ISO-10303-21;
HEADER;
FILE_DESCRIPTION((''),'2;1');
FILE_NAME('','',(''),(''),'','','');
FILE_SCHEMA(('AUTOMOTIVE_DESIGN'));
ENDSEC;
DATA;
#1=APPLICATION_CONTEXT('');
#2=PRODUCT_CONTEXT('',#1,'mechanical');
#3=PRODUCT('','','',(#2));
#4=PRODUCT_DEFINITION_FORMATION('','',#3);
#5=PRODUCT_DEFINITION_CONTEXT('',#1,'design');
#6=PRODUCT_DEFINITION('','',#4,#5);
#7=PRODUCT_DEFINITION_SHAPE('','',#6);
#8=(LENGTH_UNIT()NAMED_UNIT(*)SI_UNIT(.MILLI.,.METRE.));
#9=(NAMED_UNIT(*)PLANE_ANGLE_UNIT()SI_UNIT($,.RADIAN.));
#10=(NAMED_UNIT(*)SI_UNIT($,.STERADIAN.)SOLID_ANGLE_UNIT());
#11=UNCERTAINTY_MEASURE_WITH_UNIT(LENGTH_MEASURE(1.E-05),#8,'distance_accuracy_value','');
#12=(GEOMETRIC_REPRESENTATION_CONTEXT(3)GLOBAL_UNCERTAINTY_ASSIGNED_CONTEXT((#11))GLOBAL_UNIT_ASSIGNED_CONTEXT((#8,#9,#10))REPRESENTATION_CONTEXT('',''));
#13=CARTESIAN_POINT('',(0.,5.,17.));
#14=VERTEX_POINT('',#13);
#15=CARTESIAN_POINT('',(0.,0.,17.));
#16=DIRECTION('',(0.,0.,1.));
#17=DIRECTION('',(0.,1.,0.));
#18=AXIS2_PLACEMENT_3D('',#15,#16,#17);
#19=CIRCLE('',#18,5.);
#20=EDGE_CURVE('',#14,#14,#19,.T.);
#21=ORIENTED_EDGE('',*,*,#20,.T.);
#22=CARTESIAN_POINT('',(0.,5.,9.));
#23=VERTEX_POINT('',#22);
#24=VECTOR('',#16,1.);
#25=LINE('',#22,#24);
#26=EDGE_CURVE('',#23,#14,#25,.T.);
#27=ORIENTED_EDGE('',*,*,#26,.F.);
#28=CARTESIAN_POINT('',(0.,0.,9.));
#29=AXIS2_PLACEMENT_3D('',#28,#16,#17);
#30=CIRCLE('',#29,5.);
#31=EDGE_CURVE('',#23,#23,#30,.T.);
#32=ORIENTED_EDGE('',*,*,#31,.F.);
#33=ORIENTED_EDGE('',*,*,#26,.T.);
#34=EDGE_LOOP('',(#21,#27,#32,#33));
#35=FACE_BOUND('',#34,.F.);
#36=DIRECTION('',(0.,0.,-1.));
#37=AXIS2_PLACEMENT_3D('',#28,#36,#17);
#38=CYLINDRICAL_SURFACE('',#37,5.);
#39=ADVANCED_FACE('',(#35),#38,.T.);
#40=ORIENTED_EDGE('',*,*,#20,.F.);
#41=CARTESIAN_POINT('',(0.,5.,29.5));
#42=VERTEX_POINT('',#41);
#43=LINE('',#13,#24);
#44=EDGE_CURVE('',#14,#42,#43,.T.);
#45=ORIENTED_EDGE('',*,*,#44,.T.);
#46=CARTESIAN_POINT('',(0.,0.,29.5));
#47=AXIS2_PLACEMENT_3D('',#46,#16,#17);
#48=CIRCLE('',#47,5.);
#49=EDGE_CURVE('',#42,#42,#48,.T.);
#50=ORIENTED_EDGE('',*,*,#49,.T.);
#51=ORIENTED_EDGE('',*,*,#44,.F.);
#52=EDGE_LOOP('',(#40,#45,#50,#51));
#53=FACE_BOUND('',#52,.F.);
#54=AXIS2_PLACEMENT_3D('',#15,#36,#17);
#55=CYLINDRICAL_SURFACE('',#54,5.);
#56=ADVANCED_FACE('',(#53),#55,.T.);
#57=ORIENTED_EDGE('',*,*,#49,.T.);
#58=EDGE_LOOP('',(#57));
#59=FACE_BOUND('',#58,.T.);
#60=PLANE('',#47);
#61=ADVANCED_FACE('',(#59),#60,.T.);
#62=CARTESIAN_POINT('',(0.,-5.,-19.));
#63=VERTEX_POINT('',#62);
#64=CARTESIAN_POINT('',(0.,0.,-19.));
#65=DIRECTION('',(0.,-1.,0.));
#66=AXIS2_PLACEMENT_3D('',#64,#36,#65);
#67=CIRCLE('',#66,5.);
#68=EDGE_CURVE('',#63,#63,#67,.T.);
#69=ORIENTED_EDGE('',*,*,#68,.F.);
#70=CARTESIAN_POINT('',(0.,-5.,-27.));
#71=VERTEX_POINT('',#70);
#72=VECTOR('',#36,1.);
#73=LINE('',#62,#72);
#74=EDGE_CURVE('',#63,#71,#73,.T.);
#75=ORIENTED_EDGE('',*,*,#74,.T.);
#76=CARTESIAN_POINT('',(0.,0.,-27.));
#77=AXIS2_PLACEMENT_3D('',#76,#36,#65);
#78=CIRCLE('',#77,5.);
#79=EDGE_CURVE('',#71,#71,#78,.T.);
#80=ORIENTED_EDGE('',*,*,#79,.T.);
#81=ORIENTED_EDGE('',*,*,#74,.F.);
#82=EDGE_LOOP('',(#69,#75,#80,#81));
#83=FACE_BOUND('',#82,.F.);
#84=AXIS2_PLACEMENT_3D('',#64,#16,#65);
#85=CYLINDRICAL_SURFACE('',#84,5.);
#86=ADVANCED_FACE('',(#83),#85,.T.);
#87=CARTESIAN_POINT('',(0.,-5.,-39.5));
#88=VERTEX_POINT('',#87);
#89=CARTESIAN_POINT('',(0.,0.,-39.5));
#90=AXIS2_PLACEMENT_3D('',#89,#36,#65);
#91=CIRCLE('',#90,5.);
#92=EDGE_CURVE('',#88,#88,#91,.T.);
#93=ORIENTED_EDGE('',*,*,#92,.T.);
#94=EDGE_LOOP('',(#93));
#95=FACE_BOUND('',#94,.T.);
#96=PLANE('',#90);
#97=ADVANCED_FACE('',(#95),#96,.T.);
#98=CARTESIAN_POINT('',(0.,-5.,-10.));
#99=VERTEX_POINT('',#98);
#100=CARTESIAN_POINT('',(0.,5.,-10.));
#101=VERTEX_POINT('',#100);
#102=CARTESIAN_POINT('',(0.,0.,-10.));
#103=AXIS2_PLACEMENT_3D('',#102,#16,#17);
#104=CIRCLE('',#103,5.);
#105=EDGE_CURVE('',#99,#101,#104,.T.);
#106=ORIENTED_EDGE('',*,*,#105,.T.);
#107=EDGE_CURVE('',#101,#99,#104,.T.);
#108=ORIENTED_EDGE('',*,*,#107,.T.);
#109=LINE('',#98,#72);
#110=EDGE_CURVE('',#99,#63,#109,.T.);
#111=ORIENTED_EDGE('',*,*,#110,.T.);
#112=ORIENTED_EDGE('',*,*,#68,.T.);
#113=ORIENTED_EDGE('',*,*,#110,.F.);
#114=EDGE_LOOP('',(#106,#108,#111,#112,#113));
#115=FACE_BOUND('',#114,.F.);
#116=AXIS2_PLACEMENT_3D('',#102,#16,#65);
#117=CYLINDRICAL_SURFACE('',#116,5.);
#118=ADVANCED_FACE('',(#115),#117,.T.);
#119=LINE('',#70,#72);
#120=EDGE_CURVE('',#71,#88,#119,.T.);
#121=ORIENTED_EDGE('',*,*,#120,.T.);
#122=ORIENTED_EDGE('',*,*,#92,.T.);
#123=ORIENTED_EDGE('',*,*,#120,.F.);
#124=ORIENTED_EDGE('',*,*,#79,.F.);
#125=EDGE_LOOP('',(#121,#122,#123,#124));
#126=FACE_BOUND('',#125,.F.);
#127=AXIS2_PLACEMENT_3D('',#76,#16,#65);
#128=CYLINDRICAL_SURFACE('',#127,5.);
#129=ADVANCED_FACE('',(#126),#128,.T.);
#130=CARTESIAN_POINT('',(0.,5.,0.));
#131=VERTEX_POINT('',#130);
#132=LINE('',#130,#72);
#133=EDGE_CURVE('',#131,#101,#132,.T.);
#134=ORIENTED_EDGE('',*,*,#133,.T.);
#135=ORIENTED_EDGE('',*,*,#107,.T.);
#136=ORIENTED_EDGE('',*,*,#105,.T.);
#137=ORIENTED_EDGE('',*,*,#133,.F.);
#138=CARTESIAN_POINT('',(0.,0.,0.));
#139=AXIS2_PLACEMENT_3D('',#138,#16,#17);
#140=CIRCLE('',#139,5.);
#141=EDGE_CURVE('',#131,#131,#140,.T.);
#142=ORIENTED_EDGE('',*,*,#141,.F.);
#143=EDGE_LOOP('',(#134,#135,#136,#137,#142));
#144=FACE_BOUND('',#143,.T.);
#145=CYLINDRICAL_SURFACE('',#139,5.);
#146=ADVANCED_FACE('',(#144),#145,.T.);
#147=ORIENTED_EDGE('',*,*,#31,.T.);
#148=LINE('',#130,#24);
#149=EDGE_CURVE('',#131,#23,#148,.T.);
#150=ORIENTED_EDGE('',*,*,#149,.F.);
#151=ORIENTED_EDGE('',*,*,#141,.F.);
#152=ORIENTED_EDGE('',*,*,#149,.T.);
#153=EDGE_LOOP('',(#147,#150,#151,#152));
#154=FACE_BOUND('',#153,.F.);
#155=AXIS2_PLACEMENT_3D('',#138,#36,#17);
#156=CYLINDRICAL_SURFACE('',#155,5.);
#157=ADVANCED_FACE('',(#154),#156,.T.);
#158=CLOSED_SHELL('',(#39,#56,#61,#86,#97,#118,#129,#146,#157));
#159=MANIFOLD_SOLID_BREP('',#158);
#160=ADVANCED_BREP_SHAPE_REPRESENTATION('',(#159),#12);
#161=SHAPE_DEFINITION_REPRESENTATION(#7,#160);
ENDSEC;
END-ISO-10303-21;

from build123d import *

# Parameters (mm, degrees)
PAD_DEPTH    = 10
PAD001_DEPTH = 9
PAD002_DEPTH = 9
PAD003_DEPTH = 8
PAD004_DEPTH = 8
PAD005_DEPTH = 12.5
PAD006_DEPTH = 12.5


with BuildPart() as part:
    # Sketch → Pad (new body)
    with BuildSketch(Plane.XY):
        with BuildLine():
            ThreePointArc((0, -5), (5, 0), (0, 5))
            ThreePointArc((0, 5), (-5, 0), (0, -5))
        make_face()
    extrude(amount=-PAD_DEPTH)

    # Pad Face3 → Pad001 (add)
    with BuildSketch(Plane(origin=(0, 0, 0), x_dir=(0, 1, 0), z_dir=(0, 0, 1))):
        with BuildLine():
            ThreePointArc((-5, 0), (0, -5), (5, 0))
            ThreePointArc((5, 0), (0, 5), (-5, 0))
        make_face()
    extrude(amount=PAD001_DEPTH)

    # Pad001 Face4 → Pad002 (add)
    with BuildSketch(Plane(origin=(0, 0, -10), x_dir=(0, -1, 0), z_dir=(0, 0, -1))):
        with BuildLine():
            ThreePointArc((-5, 0), (0, -5), (5, 0))
            ThreePointArc((5, 0), (0, 5), (-5, 0))
        make_face()
    extrude(amount=PAD002_DEPTH)

    # Pad002 Face7 → Pad003 (add)
    with BuildSketch(Plane(origin=(0, 0, 9), x_dir=(0, 1, 0), z_dir=(0, 0, 1))):
        with BuildLine():
            ThreePointArc((-5, 0), (0, -5), (5, 0))
            ThreePointArc((5, 0), (0, 5), (-5, 0))
        make_face()
    extrude(amount=PAD003_DEPTH)

    # Pad003 Face8 → Pad004 (add)
    with BuildSketch(Plane(origin=(0, 0, -19), x_dir=(0, -1, 0), z_dir=(0, 0, -1))):
        with BuildLine():
            ThreePointArc((-5, 0), (0, -5), (5, 0))
            ThreePointArc((5, 0), (0, 5), (-5, 0))
        make_face()
    extrude(amount=PAD004_DEPTH)

    # Pad004 Face11 → Pad005 (add)
    with BuildSketch(Plane(origin=(0, 0, 17), x_dir=(0, 1, 0), z_dir=(0, 0, 1))):
        with BuildLine():
            ThreePointArc((-5, 0), (0, -5), (5, 0))
            ThreePointArc((5, 0), (0, 5), (-5, 0))
        make_face()
    extrude(amount=PAD005_DEPTH)

    # Pad005 Face12 → Pad006 (add)
    with BuildSketch(Plane(origin=(0, 0, -27), x_dir=(0, -1, 0), z_dir=(0, 0, -1))):
        with BuildLine():
            ThreePointArc((-5, 0), (0, -5), (5, 0))
            ThreePointArc((5, 0), (0, 5), (-5, 0))
        make_face()
    extrude(amount=PAD006_DEPTH)


solid = part.part
